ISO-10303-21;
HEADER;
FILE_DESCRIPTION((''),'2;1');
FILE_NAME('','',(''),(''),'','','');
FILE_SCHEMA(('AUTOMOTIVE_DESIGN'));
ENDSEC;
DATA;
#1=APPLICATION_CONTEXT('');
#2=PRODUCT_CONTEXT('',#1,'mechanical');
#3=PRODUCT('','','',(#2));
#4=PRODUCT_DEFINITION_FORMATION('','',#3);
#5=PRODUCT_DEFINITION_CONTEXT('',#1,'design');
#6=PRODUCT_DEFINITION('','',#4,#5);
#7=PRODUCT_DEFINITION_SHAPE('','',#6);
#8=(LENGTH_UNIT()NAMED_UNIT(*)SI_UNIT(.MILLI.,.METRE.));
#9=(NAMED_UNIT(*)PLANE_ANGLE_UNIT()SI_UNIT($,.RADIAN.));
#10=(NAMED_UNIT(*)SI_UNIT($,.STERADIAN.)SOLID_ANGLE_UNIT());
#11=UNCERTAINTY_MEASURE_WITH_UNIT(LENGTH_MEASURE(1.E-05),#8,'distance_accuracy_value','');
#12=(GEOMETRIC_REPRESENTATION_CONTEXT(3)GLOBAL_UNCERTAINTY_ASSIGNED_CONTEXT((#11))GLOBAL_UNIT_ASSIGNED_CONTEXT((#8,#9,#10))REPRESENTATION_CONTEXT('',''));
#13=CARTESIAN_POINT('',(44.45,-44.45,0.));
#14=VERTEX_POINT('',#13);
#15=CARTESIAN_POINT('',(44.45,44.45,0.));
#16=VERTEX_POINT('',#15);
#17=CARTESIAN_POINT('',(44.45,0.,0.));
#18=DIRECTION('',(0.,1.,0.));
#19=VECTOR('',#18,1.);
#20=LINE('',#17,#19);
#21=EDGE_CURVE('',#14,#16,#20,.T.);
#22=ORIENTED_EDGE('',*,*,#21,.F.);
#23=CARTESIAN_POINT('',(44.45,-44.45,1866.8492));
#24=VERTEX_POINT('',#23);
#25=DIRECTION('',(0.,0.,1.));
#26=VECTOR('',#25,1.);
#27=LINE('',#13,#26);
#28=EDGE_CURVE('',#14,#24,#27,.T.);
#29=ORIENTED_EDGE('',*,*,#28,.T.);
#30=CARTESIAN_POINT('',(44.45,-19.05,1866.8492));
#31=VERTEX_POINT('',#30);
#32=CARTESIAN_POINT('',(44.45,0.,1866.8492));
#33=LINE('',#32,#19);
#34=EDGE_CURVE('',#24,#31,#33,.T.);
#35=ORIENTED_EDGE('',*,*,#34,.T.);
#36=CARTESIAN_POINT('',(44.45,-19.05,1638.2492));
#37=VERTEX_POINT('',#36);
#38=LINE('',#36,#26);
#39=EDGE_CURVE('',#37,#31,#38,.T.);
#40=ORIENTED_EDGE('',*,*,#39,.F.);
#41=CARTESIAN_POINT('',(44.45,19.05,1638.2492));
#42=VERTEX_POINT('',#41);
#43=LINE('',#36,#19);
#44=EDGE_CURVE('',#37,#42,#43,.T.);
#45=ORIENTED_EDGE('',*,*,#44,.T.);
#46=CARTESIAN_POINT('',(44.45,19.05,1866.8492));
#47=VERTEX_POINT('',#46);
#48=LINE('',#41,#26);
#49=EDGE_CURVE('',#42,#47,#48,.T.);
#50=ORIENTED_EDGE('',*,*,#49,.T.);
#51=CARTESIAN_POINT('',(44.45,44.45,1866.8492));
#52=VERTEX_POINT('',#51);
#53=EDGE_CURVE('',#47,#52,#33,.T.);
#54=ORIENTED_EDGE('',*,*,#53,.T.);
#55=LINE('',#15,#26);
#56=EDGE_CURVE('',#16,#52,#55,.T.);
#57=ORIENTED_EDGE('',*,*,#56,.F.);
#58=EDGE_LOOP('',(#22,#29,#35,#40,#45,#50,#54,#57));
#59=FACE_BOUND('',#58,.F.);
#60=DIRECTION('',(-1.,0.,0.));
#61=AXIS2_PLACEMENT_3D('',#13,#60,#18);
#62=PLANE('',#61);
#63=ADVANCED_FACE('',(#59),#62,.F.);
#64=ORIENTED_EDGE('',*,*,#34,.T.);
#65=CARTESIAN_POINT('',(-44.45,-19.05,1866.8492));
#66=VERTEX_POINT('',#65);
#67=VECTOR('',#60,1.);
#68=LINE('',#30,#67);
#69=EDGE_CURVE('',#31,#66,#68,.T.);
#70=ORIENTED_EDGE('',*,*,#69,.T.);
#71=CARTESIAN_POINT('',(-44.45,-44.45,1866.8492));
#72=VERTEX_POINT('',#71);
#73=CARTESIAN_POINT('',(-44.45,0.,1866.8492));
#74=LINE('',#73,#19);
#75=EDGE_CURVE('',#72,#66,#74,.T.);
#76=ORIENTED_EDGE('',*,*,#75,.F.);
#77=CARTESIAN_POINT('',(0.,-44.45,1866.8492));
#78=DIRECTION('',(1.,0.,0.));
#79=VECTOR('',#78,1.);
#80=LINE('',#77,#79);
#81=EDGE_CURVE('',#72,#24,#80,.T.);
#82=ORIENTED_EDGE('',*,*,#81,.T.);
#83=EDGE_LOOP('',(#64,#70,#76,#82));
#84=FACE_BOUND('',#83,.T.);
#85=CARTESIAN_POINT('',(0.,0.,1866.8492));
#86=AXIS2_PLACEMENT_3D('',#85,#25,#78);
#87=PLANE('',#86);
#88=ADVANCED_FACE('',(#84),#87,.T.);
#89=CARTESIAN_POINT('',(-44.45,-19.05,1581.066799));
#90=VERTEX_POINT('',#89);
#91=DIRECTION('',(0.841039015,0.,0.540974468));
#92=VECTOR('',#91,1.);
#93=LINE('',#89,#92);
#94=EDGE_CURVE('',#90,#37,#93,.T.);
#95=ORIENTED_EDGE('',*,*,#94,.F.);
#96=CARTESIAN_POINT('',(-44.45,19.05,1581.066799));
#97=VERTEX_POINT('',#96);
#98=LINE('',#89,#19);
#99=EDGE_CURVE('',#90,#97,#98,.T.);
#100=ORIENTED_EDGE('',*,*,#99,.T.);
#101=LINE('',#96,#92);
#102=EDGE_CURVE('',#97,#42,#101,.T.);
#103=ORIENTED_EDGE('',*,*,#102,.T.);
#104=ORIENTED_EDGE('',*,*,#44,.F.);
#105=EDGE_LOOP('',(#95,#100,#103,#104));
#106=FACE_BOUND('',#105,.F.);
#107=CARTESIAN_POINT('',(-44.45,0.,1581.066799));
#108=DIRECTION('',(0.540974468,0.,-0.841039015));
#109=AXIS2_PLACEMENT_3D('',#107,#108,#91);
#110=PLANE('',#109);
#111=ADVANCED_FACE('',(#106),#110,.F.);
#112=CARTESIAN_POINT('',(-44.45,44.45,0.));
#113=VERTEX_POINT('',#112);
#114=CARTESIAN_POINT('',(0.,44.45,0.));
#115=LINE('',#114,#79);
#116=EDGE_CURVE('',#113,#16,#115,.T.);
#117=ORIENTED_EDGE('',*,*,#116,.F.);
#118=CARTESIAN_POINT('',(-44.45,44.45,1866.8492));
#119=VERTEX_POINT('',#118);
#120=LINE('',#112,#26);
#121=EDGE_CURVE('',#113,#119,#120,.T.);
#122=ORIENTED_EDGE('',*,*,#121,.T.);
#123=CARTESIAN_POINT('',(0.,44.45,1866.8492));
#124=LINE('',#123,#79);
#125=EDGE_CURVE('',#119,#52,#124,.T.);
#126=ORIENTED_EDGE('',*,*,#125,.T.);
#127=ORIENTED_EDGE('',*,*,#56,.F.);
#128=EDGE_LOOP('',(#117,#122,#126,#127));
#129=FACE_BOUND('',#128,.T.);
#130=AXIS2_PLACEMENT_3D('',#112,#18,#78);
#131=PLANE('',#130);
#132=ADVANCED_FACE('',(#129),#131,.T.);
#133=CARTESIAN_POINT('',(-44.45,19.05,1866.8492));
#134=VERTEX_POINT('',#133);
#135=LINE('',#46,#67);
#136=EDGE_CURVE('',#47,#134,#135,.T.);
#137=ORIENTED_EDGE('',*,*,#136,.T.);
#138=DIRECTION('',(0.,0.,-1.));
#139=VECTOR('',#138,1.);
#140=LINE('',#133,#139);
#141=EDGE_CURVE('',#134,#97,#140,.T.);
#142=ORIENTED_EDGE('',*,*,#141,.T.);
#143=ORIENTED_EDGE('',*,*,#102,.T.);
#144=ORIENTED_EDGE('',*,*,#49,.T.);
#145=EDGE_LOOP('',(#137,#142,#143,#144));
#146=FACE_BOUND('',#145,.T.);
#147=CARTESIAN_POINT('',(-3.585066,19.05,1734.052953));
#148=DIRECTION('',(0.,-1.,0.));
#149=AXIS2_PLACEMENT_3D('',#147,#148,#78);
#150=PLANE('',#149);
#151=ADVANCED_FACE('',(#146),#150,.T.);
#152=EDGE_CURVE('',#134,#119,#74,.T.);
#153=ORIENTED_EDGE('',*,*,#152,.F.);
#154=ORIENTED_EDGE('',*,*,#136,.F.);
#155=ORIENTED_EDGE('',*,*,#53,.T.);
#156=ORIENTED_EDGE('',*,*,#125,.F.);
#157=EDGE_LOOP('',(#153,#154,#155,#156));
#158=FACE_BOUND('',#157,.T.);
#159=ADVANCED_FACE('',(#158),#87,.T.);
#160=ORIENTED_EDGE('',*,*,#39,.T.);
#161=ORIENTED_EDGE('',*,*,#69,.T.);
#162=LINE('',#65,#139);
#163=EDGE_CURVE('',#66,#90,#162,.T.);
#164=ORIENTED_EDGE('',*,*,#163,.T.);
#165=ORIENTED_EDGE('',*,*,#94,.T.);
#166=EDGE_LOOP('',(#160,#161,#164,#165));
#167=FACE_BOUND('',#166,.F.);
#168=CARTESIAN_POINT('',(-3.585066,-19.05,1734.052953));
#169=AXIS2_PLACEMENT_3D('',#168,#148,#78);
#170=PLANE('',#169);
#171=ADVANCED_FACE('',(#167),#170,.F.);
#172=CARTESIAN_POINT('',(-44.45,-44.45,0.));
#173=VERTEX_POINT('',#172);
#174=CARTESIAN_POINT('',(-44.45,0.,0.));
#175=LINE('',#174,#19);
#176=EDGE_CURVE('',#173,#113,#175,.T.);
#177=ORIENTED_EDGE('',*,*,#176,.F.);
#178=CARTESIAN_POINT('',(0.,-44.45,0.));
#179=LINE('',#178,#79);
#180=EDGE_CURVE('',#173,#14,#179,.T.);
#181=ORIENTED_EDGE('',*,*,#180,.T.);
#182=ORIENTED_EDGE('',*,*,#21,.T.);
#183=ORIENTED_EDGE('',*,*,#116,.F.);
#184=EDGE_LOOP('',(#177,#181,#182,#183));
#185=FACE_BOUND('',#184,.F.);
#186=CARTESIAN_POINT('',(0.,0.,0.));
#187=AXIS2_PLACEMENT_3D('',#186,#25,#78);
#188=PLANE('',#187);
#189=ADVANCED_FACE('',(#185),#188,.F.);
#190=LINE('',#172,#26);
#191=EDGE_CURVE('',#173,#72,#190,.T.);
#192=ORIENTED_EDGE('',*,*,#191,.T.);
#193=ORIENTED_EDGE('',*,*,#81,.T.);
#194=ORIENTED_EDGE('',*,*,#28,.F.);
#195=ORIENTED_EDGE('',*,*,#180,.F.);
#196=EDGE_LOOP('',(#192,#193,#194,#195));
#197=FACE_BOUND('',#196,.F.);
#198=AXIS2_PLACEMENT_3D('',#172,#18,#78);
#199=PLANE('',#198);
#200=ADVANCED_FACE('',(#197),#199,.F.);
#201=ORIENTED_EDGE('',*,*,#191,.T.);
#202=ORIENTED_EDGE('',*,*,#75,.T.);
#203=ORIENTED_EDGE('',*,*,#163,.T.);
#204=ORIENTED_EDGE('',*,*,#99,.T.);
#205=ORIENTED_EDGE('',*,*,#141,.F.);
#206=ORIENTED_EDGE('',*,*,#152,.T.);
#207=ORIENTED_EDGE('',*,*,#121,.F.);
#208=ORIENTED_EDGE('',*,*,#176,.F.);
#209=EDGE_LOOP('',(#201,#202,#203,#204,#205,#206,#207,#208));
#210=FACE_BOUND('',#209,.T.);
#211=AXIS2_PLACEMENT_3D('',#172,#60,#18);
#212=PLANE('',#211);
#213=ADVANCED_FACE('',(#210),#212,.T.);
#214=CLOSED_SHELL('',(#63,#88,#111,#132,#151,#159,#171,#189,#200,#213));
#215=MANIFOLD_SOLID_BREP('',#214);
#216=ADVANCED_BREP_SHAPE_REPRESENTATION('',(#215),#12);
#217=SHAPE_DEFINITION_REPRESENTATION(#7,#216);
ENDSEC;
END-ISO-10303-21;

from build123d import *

# Parameters (mm, degrees)
F0_W     = 88.9
F0_H     = 88.9
F1_DEPTH = 1866.8492
F3_DEPTH = 19.05


with BuildPart() as f1:
    # F0 (on Top) → F1 (new body)
    with BuildSketch(Plane.XY):
        Rectangle(F0_W, F0_H)
    extrude(amount=F1_DEPTH)

    # F2 (on Front) → F3 (cut, symmetric)
    with BuildSketch(Plane.XZ):
        Polygon((44.45, 1638.2492), (44.45, 1866.8492), (-44.45, 1866.8492), (-44.45, 1581.066799), align=None)
    extrude(amount=F3_DEPTH, both=True, mode=Mode.SUBTRACT)


solid = f1.part
